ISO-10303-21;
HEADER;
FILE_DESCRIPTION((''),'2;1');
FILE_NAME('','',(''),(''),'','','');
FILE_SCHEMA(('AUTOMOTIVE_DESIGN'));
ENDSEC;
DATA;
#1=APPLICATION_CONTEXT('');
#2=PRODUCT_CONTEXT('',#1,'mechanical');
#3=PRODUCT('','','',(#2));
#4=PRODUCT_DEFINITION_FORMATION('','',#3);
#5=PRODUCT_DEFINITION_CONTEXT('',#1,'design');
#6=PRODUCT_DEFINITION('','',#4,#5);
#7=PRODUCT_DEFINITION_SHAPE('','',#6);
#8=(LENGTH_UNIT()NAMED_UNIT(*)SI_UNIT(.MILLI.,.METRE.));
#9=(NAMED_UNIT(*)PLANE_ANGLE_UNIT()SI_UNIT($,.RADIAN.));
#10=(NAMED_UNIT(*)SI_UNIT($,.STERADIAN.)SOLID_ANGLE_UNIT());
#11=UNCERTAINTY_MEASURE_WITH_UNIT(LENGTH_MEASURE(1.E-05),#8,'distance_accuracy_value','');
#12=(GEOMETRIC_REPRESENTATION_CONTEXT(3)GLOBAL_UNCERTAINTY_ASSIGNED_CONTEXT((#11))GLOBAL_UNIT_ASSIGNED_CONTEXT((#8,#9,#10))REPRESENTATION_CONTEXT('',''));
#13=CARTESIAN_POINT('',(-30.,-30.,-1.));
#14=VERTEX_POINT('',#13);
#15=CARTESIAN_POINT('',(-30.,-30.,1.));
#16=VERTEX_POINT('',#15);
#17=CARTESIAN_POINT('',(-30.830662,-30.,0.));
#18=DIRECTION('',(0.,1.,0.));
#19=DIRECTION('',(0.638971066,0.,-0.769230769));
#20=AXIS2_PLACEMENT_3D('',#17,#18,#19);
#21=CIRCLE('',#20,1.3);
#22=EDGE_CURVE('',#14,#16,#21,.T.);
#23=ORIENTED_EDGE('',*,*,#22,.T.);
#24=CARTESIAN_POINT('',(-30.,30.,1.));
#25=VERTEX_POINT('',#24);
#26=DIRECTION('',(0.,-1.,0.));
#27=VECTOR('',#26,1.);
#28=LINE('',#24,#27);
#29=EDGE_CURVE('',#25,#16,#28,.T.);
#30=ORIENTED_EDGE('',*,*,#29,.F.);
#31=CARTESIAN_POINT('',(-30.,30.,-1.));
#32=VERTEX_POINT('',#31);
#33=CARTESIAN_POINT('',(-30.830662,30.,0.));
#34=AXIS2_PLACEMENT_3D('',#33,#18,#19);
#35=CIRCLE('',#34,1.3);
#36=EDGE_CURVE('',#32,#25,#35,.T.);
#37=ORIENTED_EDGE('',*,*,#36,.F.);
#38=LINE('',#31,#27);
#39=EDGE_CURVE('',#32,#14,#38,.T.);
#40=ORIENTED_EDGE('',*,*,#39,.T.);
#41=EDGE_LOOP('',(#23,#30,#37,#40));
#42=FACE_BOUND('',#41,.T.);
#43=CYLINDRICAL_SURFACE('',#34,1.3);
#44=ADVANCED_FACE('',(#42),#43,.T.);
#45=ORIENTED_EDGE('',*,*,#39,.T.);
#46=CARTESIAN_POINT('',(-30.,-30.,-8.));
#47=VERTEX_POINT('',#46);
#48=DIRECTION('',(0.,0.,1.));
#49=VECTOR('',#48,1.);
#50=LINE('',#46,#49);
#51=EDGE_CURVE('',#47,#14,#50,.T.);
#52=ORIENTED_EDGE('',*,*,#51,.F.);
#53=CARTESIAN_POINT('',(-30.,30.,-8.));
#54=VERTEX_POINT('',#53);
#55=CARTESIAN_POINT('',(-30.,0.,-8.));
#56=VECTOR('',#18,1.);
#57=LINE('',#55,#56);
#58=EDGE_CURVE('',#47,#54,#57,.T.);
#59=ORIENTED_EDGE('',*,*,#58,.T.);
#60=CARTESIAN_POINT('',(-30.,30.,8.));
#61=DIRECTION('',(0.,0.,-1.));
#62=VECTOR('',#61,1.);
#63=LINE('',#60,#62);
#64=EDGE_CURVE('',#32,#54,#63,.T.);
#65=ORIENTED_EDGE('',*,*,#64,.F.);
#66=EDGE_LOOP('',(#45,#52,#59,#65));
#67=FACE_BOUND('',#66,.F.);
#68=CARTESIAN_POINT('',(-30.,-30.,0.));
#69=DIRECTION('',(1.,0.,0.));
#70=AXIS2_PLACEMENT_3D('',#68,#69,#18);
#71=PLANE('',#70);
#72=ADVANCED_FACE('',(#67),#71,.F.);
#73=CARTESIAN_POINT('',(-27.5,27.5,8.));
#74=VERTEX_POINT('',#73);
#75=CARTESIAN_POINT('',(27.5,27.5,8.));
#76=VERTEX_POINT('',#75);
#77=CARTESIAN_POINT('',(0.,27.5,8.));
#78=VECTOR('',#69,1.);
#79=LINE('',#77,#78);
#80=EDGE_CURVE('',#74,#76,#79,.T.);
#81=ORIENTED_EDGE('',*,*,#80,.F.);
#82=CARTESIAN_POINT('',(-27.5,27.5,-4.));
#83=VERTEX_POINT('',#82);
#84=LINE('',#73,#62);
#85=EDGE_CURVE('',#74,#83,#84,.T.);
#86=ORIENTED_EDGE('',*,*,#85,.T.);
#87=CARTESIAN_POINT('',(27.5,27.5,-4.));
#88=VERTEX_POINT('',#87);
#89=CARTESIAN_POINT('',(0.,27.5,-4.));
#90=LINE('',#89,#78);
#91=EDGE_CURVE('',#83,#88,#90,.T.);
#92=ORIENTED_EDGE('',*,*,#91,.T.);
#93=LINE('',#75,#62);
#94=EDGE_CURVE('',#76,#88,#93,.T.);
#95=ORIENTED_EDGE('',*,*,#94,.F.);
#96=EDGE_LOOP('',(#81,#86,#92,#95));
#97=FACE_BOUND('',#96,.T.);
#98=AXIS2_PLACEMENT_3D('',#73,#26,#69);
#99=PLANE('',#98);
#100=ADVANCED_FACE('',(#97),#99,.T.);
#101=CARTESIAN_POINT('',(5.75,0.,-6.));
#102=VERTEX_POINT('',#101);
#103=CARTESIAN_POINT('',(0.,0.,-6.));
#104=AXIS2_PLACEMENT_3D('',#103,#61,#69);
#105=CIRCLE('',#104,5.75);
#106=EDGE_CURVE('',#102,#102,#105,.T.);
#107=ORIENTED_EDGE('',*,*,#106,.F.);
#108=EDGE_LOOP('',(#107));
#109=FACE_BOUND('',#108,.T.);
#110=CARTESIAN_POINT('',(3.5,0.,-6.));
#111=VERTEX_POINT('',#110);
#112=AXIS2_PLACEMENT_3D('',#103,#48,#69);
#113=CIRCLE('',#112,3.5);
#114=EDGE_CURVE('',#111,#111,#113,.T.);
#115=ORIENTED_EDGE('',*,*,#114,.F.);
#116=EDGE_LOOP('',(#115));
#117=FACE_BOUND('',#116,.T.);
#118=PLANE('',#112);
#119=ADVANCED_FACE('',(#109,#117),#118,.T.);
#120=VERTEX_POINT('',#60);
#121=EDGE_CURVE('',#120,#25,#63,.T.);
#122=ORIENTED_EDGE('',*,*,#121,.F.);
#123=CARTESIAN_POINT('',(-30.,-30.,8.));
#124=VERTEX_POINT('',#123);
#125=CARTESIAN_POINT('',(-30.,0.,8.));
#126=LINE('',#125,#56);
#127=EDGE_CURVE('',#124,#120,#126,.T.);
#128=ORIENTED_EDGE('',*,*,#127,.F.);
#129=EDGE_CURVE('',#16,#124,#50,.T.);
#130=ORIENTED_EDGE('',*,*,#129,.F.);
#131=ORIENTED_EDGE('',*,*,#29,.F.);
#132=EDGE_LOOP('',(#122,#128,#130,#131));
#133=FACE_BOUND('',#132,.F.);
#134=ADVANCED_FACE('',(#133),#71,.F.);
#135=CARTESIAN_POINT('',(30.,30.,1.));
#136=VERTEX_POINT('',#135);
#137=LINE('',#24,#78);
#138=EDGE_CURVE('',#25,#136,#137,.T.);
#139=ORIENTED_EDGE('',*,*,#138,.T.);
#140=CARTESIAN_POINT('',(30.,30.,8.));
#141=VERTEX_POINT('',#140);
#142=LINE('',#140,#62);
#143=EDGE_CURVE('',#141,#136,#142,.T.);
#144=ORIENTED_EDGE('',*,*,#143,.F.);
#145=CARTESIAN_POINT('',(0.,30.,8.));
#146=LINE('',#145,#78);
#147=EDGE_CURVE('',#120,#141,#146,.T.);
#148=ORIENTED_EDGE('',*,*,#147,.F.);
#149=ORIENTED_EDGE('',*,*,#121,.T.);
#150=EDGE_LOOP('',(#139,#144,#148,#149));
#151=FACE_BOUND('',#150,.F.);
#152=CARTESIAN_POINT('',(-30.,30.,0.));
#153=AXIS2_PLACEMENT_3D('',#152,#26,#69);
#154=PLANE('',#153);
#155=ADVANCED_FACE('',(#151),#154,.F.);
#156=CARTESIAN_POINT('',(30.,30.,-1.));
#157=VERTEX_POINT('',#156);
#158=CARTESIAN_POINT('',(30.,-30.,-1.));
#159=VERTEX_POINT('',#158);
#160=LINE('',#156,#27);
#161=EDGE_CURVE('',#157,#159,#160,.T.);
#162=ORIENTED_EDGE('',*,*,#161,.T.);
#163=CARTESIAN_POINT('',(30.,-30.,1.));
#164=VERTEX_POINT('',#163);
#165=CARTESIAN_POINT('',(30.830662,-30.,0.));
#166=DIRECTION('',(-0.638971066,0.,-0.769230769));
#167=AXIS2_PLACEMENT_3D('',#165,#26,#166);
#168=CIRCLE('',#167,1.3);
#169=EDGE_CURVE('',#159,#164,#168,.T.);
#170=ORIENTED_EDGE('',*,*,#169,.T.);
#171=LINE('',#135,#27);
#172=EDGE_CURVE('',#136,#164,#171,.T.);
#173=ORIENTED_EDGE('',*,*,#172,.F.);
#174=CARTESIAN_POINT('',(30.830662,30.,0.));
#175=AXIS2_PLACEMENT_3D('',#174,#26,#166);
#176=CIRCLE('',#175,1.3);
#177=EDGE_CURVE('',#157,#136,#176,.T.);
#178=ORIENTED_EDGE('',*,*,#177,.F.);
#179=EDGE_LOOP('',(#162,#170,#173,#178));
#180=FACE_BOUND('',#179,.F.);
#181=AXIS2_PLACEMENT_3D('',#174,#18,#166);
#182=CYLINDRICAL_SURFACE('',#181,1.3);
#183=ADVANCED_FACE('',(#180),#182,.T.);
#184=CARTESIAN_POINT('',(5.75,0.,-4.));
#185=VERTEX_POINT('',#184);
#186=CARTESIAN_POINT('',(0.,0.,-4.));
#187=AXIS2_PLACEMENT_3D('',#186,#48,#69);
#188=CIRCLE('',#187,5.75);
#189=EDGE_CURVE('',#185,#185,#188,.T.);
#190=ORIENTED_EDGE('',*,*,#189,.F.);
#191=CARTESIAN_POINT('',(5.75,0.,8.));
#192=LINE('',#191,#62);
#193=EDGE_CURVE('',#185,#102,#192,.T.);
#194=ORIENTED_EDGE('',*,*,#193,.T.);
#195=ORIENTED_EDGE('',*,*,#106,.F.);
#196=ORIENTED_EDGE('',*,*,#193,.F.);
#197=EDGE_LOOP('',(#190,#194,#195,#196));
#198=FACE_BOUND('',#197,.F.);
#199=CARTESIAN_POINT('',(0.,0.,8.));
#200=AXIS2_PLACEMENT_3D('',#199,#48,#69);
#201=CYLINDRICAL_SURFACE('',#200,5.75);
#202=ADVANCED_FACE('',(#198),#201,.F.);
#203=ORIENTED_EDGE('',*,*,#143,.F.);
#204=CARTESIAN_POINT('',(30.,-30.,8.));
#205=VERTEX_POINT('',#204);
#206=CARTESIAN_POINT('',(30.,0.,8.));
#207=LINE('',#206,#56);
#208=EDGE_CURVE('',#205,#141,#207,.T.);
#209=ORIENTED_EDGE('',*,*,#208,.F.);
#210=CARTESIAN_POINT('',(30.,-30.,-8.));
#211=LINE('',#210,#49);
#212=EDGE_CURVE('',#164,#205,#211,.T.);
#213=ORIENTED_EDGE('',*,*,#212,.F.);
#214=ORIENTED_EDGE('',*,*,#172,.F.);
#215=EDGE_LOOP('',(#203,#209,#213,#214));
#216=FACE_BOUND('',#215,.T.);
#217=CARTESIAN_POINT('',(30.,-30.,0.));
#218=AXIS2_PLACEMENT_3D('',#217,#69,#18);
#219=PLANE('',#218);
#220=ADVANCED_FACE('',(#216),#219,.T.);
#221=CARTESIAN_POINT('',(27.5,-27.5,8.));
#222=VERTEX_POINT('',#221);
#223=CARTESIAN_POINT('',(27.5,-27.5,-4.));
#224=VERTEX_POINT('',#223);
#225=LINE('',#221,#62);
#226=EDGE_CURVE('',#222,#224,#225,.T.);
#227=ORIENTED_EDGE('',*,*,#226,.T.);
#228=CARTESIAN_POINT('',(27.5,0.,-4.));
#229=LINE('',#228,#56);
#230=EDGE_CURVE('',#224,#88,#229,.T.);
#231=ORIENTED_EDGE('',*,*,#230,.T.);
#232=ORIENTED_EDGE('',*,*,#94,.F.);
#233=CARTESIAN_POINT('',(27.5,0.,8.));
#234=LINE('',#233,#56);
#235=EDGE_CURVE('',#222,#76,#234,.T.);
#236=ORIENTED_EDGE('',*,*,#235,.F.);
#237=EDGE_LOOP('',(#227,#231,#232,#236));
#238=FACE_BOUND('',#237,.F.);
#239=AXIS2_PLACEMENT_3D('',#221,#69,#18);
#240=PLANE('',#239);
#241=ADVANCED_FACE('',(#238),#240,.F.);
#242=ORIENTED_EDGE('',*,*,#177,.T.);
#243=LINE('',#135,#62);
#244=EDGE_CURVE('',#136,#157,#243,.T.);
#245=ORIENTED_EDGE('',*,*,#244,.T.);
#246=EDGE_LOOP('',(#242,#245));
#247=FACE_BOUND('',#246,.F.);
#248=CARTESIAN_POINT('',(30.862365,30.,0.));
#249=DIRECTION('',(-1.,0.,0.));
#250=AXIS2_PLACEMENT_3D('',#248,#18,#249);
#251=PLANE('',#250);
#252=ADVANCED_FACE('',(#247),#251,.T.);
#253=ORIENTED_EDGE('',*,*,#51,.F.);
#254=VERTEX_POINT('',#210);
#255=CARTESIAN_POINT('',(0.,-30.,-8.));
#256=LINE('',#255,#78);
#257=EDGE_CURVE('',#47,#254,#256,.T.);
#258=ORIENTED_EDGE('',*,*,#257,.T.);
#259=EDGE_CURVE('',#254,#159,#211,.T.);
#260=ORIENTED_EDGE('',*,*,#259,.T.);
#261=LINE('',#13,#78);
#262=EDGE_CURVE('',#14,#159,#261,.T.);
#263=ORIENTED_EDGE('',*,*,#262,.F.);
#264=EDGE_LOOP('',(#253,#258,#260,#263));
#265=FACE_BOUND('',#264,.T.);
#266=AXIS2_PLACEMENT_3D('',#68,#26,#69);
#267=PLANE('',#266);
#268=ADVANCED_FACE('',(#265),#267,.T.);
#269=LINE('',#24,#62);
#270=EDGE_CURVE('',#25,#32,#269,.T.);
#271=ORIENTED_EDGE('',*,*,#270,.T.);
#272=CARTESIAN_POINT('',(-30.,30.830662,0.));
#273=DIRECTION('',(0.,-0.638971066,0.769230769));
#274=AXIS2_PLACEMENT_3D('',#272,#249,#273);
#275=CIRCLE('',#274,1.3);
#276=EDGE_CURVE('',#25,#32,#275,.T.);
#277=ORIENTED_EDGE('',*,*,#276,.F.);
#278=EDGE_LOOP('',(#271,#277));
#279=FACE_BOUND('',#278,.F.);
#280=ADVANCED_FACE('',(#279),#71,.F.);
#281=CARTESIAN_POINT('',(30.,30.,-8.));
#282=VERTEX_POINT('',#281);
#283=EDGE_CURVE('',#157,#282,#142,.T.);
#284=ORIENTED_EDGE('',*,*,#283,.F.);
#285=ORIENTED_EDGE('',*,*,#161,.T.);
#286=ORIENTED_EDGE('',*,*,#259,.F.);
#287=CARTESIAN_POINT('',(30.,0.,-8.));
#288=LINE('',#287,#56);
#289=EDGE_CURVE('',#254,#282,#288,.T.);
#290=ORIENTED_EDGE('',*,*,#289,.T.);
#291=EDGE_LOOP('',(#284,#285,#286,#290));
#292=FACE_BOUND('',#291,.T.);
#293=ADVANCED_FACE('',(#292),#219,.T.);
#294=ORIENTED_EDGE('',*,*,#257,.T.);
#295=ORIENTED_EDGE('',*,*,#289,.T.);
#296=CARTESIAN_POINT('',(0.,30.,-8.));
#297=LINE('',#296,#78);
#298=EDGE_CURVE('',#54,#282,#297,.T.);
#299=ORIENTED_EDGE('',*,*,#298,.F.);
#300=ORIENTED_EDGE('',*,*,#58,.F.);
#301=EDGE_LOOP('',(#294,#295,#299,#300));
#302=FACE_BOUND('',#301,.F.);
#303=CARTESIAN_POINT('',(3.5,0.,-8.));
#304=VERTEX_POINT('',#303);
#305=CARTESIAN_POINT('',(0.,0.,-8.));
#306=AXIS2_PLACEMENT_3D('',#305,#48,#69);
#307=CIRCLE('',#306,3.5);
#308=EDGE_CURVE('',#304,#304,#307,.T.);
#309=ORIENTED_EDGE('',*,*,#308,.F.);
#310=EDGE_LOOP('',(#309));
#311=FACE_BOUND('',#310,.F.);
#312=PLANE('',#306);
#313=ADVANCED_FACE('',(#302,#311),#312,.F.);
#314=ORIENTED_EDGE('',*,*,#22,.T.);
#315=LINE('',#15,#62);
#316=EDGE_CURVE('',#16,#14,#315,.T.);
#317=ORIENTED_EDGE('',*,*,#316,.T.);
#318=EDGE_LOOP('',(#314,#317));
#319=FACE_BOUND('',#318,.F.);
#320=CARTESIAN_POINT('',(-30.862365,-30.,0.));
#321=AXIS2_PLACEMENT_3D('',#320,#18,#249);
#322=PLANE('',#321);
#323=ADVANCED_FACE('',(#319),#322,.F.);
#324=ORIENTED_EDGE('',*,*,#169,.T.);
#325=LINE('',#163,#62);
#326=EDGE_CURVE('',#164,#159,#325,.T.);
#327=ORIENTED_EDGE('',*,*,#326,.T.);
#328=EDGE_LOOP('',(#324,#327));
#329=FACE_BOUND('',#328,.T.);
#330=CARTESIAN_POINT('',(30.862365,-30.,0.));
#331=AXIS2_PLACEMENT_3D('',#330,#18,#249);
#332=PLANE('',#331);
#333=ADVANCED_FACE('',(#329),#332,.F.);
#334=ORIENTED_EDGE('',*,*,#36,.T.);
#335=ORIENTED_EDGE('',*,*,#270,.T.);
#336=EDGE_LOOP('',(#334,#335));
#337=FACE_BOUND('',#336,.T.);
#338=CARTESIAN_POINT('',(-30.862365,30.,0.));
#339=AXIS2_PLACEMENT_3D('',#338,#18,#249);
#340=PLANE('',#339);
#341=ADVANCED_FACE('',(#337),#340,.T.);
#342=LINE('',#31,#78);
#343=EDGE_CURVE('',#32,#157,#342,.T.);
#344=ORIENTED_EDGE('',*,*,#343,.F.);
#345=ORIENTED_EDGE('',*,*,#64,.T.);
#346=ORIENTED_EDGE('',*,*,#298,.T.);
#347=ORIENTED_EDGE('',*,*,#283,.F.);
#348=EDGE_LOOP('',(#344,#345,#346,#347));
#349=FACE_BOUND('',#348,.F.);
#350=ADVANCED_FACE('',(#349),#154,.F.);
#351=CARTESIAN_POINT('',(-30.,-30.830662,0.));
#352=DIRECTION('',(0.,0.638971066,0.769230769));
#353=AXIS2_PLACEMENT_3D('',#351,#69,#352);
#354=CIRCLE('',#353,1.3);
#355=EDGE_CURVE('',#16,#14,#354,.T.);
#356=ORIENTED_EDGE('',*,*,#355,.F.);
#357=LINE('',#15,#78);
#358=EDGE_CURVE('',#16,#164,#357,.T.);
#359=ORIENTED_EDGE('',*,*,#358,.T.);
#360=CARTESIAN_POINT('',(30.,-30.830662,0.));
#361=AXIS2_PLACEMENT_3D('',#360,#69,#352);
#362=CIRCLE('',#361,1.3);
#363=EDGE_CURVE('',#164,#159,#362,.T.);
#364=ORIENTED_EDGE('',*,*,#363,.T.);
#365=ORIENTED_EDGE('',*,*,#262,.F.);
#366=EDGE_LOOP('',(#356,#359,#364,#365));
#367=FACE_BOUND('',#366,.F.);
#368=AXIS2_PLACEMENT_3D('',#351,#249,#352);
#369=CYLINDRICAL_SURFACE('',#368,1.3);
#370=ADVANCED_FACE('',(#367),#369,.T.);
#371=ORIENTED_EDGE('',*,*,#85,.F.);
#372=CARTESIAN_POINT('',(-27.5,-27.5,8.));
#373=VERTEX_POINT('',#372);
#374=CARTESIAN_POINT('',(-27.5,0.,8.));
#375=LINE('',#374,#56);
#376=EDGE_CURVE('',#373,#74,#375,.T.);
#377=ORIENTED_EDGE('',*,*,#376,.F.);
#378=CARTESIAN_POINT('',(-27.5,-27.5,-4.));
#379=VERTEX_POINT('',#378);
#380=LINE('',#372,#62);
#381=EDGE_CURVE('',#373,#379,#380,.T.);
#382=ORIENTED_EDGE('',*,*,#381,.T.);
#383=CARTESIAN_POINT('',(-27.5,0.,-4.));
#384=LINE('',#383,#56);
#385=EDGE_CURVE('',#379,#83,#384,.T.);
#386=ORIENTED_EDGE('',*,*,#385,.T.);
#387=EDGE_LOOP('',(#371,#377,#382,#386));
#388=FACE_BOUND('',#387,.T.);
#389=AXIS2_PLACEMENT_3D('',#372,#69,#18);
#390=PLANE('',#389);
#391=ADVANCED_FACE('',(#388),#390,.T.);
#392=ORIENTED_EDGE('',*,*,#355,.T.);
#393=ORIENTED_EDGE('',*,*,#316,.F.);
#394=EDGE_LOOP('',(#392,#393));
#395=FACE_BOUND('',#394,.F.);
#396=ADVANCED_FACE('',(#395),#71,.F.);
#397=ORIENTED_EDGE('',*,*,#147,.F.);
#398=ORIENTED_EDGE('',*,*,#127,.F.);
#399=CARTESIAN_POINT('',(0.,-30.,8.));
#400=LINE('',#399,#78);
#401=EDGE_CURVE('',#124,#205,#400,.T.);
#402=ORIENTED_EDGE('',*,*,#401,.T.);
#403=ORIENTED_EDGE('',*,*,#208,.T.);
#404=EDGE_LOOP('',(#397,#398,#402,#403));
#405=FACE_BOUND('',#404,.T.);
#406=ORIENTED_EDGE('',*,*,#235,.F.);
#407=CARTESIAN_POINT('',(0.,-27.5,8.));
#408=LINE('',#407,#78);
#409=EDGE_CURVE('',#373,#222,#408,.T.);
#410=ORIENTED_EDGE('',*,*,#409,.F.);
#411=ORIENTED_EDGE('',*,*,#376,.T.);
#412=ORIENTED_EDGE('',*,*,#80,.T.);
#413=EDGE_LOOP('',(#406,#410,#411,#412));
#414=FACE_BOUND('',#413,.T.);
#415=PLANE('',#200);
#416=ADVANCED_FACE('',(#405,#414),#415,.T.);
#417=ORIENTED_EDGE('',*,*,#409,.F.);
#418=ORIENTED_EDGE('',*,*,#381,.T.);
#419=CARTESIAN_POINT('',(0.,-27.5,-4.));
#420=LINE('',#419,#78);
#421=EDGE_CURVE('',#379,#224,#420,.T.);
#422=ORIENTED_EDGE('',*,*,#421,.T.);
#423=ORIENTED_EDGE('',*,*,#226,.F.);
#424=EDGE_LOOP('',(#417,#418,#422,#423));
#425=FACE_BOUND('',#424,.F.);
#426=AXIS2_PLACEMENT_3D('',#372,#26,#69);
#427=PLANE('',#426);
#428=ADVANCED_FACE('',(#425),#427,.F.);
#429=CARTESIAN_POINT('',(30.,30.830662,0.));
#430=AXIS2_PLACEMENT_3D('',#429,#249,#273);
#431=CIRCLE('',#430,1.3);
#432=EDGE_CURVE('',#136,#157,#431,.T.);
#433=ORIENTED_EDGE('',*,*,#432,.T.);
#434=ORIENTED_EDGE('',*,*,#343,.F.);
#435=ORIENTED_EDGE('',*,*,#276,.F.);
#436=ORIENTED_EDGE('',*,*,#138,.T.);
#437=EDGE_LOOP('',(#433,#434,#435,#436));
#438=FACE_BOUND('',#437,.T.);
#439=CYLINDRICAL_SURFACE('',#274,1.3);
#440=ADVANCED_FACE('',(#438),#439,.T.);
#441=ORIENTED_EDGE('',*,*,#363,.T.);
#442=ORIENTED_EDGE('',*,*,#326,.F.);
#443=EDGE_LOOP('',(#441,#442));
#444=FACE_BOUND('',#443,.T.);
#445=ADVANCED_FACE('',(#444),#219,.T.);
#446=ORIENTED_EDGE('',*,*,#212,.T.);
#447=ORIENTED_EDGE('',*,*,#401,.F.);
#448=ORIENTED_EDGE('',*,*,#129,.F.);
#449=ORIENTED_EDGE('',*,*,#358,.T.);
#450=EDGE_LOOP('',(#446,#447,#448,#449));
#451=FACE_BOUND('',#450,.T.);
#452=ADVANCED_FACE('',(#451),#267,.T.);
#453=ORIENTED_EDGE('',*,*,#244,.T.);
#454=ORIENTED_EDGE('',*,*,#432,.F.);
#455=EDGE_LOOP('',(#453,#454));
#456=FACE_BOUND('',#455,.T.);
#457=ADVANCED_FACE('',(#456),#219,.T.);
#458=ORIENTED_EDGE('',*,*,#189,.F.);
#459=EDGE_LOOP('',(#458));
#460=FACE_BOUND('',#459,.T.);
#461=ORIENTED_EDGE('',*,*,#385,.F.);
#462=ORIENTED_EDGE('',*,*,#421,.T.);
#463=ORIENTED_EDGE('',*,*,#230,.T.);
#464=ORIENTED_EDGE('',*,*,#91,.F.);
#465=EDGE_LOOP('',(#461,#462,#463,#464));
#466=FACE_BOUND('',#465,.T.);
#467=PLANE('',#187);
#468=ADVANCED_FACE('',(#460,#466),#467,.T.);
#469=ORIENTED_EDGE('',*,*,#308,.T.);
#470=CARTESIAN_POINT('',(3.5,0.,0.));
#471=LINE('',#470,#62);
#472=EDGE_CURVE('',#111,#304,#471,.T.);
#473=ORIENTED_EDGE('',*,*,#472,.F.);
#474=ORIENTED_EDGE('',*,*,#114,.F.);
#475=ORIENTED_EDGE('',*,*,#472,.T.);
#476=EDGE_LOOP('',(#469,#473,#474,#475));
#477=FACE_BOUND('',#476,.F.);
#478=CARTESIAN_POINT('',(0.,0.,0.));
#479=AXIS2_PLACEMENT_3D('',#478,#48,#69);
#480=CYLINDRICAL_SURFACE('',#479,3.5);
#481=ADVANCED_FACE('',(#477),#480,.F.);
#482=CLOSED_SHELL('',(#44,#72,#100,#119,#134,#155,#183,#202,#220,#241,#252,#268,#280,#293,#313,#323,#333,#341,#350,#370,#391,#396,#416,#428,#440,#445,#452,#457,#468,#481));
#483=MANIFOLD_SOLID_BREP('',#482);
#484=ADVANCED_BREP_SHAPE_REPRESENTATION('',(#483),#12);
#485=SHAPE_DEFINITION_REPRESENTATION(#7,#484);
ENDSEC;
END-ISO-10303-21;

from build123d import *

# Parameters (mm, degrees)
F0_W          = 60
F0_H          = 60
F0_R          = 3.5
F1_DEPTH      = 8
F1_DEPTH_BACK = 8
F2_R          = 5.75
F3_DEPTH      = 14
F5_DEPTH      = 60
F8_DEPTH      = 60
F10_W         = 55
F10_H         = 55
F11_DEPTH     = 12


with BuildPart() as f1:
    # F0 (on Top) → F1 (new body, two sides)
    with BuildSketch(Plane.XY) as f1_sk:
        Rectangle(F0_W, F0_H)
        Circle(F0_R, mode=Mode.SUBTRACT)
    extrude(amount=F1_DEPTH)
    extrude(f1_sk.sketch, amount=-F1_DEPTH_BACK)

    # F2 (on face) → F3 (cut)
    with BuildSketch(Plane.XY.offset(8)):
        Circle(F2_R)
    extrude(amount=-F3_DEPTH, mode=Mode.SUBTRACT)

    # F4 (on face) → F5 (join)
    with BuildSketch(Plane(origin=(-30, 0, 0), x_dir=(0, -1, 0), z_dir=(-1, 0, 0))):
        with BuildLine():
            ThreePointArc((-30, 1), (-32.1306623863, 0), (-30, -1))
            Line((-30, -1), (-30, 1))
        make_face()
    extrude(amount=-F5_DEPTH)

    # F6: F1 across plane


with BuildPart() as f1_1:
    add(f1.part)
    add(f1.part.mirror(Plane.XZ))

    # F7 (on face) → F8 (join)
    with BuildSketch(Plane(origin=(0, 30, 0), x_dir=(-1, 0, 0), z_dir=(0, 1, 0))):
        with BuildLine():
            ThreePointArc((30, -1), (32.1306623863, 0), (30, 1))
            Line((30, 1), (30, -1))
        make_face()
    extrude(amount=-F8_DEPTH)

    # F9: F1 across plane


with BuildPart() as f1_2:
    add(f1_1.part)
    add(f1_1.part.mirror(Plane.YZ))

    # F10 (on face) → F11 (cut)
    with BuildSketch(Plane.XY.offset(8)):
        Rectangle(F10_W, F10_H)
    extrude(amount=-F11_DEPTH, mode=Mode.SUBTRACT)


solid = f1_2.part
